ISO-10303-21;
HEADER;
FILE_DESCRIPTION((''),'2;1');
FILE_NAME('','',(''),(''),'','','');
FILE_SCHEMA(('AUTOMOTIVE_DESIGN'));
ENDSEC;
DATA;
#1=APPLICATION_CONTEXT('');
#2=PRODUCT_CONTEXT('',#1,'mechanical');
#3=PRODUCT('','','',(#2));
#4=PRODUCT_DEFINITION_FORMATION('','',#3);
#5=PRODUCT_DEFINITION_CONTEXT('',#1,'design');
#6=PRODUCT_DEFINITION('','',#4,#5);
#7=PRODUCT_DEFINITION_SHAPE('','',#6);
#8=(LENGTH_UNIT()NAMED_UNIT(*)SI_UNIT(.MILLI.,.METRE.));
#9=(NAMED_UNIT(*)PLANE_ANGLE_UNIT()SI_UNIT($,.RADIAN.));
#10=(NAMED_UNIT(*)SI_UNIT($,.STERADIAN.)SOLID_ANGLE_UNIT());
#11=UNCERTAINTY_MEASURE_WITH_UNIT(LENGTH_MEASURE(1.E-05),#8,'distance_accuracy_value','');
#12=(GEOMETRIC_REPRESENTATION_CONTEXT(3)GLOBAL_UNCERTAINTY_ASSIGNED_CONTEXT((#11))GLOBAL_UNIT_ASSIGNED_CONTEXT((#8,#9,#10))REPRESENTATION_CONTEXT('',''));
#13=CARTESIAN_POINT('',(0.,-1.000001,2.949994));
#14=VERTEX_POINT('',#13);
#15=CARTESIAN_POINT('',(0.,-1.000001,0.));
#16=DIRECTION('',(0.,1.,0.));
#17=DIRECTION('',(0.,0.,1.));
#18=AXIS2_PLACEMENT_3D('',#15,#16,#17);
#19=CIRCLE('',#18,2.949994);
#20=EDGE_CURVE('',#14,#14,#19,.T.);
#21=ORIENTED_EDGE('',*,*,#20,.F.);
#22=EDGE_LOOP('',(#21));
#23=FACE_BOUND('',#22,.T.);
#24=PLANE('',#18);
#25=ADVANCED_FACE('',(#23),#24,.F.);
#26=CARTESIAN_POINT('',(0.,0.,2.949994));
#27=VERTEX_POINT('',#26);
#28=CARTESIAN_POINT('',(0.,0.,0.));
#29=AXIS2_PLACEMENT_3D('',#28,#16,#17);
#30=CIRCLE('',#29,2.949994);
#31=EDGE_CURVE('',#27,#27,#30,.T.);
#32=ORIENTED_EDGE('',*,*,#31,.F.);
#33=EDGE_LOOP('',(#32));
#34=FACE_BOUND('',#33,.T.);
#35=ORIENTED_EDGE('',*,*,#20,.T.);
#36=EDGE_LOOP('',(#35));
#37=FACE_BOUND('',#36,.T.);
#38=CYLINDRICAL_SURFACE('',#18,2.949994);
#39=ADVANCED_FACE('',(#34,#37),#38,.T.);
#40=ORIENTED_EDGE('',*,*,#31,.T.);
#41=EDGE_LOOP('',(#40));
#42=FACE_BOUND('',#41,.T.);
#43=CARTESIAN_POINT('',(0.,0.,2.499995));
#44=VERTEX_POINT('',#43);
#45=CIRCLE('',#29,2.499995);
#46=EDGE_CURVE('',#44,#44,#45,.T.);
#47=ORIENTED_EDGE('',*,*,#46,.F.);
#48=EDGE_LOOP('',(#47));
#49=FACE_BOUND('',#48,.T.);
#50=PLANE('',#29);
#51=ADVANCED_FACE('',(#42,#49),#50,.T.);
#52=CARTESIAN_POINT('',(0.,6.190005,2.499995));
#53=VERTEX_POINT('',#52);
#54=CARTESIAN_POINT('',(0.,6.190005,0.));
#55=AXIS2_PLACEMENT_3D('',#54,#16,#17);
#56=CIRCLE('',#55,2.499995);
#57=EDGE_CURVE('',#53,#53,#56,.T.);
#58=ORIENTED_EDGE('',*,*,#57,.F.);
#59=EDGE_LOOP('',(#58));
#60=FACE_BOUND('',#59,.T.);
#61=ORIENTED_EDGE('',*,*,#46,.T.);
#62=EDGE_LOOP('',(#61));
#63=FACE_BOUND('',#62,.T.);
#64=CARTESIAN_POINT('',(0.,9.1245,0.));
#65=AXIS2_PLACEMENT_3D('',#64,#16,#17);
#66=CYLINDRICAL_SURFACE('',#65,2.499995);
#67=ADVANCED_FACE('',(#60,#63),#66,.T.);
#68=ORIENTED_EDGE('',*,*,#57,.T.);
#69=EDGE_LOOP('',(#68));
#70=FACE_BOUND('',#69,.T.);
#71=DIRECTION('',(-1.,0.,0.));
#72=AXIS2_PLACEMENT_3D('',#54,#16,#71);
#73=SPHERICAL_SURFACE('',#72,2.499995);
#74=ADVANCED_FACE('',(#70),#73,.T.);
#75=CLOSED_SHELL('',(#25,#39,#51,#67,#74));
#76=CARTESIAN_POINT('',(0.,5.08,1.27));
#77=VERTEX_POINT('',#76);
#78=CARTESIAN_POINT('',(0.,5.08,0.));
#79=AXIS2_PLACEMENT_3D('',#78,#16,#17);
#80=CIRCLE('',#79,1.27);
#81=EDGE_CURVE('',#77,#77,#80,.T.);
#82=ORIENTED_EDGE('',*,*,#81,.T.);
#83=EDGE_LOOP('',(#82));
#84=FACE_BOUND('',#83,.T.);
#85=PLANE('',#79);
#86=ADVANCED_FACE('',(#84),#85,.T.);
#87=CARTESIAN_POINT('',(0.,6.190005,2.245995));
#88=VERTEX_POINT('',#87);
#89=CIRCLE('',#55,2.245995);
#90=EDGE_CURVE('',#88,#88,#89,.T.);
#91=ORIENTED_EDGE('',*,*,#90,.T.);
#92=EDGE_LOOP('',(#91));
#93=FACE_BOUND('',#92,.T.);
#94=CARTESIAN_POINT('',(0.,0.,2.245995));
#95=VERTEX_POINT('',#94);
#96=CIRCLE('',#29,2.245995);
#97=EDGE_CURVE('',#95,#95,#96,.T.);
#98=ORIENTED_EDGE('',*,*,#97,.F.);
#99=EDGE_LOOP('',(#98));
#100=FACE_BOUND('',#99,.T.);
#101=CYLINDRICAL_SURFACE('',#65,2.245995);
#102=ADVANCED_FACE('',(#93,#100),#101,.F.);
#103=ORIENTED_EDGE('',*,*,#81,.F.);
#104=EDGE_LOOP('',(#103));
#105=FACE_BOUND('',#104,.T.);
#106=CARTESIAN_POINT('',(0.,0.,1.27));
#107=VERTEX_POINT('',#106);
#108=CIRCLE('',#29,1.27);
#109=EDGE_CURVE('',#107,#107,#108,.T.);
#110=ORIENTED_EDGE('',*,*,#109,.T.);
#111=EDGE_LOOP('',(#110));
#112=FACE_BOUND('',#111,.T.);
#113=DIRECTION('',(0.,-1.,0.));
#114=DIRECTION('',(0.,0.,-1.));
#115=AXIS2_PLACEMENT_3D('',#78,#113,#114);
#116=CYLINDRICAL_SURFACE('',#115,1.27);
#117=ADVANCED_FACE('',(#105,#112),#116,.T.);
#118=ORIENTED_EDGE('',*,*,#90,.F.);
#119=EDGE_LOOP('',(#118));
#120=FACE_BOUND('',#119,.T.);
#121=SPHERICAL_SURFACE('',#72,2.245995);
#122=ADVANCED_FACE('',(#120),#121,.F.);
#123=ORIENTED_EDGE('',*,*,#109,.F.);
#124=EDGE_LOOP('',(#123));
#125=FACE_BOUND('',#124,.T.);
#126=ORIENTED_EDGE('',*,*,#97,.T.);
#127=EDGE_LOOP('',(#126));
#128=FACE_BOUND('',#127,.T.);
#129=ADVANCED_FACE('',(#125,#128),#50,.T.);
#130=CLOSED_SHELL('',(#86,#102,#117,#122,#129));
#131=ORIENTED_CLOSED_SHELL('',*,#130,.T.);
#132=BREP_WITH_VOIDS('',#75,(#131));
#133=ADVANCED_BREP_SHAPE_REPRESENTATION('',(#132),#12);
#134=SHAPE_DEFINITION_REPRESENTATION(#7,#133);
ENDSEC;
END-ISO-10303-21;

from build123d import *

# Parameters (mm, degrees)
SKETCH2_R   = 2.9499941
BASE_DEPTH  = 1.00000054
SKETCH4_R   = 1.27
DIODE_DEPTH = 5.08


with BuildPart() as part:
    # Sketch1 → Shell (revolve)
    with BuildSketch(Plane.XY, mode=Mode.PRIVATE) as shell_sk:
        with BuildLine():
            Line((-2.499995, 0), (-2.499995, 6.1900054))
            ThreePointArc((-2.499995, 6.1900054), (-1.767763417, 7.957768817), (0, 8.6900004))
            Line((0, 8.6900004), (0, 8.4360004))
            ThreePointArc((0, 8.4360004), (-1.588158295, 7.778163695), (-2.245995, 6.1900054))
            Line((-2.245995, 6.1900054), (-2.245995, 0))
            Line((-2.245995, 0), (-2.499995, 0))
        make_face()
    revolve(shell_sk.sketch.rotate(Axis((0, 9.12450042, 0), (0, -1, 0)), 270), axis=Axis((0, 9.12450042, 0), (0, -1, 0)))

    # Sketch2 → Base (add)
    with BuildSketch(Plane(origin=(0, 0, 0), x_dir=(1, 0, 0), z_dir=(0, 1, 0))):
        with Locations(Location((0, 0, 0), (0, 0, 270))):
            Circle(SKETCH2_R)
    extrude(amount=-BASE_DEPTH)

    # Sketch4 → Diode (add)
    with BuildSketch(Plane(origin=(0, 0, 0), x_dir=(1, 0, 0), z_dir=(0, 1, 0))):
        with Locations(Location((0, 0, 0), (0, 0, 270))):
            Circle(SKETCH4_R)
    extrude(amount=DIODE_DEPTH)


solid = part.part
